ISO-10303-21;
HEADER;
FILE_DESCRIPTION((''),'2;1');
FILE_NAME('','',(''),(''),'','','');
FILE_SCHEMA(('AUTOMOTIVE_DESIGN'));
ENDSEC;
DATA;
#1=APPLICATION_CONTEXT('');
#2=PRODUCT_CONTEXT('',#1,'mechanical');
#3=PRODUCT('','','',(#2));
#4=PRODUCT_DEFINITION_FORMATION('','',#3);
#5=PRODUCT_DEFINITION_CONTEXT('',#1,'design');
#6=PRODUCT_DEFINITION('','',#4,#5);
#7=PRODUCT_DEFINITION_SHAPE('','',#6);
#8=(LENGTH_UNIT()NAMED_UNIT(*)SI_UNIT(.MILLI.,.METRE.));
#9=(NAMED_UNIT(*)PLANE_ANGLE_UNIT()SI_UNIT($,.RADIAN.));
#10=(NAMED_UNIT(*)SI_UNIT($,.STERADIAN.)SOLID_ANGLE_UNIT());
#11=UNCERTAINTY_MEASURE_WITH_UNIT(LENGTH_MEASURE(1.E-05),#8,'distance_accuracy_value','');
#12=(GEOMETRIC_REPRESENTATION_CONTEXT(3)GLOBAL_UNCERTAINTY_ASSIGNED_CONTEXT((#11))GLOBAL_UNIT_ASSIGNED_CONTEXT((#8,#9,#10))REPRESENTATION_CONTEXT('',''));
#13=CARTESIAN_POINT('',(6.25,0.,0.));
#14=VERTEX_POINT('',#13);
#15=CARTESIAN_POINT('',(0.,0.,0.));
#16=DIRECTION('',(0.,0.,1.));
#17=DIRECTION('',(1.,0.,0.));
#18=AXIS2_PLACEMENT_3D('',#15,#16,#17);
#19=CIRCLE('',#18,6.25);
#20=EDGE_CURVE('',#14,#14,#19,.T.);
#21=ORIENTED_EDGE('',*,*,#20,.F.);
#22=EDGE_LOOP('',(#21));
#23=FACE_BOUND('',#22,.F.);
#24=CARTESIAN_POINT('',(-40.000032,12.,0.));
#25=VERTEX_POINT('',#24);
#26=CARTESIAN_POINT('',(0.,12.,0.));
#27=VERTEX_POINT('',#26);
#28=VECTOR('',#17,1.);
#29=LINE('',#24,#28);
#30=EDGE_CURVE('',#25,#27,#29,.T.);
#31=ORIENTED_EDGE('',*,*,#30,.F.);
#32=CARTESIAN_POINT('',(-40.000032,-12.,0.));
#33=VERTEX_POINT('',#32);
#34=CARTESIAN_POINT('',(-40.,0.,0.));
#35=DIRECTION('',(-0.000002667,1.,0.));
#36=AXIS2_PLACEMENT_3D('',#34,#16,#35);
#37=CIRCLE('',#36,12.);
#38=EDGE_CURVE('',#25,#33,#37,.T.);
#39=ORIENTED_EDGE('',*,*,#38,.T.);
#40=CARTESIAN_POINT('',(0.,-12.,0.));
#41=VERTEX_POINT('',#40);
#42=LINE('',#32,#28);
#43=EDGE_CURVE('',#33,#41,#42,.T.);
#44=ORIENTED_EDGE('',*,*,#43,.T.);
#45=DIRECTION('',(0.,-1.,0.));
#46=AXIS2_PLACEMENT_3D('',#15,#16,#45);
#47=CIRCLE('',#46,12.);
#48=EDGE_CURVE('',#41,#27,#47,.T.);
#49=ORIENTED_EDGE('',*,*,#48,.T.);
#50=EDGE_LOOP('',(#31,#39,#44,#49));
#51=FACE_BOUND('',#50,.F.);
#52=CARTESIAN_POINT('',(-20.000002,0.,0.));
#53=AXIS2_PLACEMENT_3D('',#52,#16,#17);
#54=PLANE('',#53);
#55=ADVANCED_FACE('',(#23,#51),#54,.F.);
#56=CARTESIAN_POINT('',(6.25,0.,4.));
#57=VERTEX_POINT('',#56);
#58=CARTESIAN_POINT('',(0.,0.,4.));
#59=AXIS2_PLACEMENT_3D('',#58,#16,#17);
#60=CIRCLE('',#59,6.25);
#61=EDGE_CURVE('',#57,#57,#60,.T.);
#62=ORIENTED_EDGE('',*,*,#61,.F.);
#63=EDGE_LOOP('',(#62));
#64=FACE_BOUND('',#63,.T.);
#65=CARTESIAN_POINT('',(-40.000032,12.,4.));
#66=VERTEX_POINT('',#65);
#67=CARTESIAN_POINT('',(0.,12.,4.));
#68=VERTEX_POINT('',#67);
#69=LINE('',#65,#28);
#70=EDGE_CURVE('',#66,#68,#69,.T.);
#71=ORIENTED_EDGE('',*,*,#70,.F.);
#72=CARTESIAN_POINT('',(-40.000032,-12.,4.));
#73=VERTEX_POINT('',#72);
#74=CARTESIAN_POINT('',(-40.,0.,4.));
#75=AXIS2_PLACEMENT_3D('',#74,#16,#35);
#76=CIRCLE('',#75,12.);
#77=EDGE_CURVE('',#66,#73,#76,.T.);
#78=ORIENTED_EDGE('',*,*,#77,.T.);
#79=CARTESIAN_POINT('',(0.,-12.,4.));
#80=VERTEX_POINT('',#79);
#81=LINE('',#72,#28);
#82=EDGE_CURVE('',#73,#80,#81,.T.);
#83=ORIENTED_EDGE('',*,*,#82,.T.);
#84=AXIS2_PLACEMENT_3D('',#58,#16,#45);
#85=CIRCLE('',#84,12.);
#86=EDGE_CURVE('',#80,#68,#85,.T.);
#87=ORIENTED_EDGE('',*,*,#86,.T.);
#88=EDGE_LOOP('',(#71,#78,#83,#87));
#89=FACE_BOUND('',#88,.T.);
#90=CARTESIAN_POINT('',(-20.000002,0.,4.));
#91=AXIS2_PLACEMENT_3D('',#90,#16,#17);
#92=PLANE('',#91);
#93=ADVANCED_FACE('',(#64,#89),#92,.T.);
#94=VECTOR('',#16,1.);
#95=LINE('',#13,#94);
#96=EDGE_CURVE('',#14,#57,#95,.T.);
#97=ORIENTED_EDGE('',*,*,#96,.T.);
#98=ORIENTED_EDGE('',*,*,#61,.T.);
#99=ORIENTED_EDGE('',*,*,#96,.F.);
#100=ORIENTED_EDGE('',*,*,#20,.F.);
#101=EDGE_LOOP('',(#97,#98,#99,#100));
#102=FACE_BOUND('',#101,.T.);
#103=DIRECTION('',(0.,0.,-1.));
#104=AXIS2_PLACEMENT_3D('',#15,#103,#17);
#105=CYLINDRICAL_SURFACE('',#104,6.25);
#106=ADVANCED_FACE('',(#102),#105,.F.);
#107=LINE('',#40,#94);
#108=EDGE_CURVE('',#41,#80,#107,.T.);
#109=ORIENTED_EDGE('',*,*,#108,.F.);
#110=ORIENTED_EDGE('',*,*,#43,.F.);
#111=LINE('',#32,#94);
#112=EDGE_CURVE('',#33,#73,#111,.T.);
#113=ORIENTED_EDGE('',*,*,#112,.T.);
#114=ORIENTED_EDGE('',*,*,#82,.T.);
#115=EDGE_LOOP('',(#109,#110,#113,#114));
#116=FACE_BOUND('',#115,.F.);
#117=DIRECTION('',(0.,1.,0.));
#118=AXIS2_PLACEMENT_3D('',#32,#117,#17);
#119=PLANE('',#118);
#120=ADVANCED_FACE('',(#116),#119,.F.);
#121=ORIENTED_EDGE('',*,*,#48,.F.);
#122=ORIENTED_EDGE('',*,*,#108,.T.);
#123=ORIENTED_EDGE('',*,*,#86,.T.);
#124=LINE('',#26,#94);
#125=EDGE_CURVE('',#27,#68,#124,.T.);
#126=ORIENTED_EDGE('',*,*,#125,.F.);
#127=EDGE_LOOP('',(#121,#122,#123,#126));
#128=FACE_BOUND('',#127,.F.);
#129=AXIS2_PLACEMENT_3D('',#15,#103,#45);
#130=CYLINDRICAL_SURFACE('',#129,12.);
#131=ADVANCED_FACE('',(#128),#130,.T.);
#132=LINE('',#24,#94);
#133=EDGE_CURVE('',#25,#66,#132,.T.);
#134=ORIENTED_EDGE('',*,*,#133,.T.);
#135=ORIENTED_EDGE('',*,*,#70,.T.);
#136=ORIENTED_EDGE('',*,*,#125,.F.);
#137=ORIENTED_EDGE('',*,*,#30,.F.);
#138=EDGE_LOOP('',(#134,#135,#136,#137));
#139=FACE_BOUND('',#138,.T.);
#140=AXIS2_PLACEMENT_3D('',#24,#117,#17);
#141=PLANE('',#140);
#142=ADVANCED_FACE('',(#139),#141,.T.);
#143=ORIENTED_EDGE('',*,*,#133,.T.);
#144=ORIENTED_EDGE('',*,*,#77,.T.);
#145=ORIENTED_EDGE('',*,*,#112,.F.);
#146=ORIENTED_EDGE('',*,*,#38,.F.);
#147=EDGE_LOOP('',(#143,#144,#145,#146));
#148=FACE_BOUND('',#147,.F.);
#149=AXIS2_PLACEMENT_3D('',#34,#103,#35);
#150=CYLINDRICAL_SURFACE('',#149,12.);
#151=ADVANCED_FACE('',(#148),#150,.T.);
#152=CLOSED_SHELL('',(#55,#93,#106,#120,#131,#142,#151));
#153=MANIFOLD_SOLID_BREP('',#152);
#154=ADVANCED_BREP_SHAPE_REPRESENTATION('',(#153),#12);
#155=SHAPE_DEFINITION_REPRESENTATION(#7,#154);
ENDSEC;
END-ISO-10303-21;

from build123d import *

# Parameters (mm, degrees)
SKETCH_R  = 6.25
PAD_DEPTH = 4


with BuildPart() as part:
    # Sketch → Pad (new body)
    with BuildSketch(Plane.XY):
        with BuildLine():
            ThreePointArc((0, -12), (12, 0), (0, 12))
            Line((-40.000032, 12), (0, 12))
            ThreePointArc((-40.000032, 12), (-52, 0), (-40.000032, -12))
            Line((-40.000032, -12), (0, -12))
        make_face()
        Circle(SKETCH_R, mode=Mode.SUBTRACT)
    extrude(amount=PAD_DEPTH)


solid = part.part
